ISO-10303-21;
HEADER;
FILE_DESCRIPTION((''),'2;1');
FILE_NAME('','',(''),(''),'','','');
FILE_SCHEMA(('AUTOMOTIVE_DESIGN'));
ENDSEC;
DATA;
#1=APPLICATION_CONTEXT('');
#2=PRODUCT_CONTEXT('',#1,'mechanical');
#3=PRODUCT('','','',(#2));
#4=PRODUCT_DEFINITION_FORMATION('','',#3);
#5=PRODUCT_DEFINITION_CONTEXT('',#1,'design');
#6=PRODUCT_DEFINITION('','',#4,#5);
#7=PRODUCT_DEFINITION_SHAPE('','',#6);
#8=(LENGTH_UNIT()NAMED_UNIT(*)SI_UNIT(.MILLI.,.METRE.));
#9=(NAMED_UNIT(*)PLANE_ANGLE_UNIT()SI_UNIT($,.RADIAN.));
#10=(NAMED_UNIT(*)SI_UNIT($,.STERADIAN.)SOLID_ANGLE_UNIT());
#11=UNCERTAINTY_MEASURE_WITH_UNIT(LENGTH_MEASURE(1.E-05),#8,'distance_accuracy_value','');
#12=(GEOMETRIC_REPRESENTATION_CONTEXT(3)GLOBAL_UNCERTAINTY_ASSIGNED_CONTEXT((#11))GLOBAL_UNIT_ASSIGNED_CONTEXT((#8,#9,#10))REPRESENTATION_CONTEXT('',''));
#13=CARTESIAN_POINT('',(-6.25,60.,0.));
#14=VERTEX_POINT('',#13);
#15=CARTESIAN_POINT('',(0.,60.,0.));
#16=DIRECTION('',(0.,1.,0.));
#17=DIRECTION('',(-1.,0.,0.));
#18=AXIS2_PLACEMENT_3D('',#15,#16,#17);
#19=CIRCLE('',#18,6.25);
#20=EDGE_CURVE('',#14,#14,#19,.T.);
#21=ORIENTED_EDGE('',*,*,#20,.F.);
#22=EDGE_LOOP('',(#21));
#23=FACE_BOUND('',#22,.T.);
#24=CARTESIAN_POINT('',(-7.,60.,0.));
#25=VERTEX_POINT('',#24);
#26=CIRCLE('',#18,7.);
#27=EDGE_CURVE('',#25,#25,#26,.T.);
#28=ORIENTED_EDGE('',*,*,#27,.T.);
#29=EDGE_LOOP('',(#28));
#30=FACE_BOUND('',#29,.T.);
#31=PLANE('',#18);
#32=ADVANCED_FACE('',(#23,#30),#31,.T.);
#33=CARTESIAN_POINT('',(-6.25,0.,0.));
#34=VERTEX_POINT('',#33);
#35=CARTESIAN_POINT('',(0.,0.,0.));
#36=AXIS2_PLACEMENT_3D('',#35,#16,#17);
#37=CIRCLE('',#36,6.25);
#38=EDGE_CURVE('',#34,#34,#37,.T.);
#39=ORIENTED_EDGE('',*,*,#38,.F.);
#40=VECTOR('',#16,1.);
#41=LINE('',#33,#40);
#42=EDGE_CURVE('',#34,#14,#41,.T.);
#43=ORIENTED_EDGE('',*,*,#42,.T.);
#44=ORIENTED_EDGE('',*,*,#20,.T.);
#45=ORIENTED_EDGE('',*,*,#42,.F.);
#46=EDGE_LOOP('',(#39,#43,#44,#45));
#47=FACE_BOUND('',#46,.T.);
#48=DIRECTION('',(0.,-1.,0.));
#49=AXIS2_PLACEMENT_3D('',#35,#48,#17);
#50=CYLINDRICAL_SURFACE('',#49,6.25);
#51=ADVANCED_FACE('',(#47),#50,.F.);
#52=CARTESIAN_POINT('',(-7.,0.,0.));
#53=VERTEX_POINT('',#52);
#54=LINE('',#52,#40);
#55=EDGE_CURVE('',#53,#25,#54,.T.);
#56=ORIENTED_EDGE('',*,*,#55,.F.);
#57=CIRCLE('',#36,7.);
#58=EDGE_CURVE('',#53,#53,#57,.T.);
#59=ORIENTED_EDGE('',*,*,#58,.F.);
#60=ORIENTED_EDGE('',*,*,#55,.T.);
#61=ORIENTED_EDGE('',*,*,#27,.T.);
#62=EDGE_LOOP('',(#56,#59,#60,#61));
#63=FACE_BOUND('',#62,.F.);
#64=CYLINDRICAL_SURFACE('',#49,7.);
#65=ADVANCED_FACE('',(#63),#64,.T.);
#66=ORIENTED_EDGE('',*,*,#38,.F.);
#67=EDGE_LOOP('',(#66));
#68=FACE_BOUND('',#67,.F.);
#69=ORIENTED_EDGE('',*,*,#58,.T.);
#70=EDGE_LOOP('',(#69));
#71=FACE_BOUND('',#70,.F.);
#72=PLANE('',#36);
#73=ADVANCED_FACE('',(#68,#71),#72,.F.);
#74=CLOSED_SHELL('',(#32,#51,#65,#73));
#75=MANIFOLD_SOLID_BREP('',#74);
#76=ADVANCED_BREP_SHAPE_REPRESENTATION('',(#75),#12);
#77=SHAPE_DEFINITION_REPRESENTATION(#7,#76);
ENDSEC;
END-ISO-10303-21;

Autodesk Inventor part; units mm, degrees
ref_plane "YZ Plane" through (0, 0, 0) normal (1, 0, 0) x (0, 1, 0)
ref_plane "XZ Plane" through (0, 0, 0) normal (0, 1, 0) x (-1, 0, 0)
ref_plane "XY Plane" through (0, 0, 0) normal (0, 0, 1) x (1, 0, 0)
sketch "Sketch1" plane through (0, 0, 0) normal (0, 1, 0) x (-1, 0, 0)
  circle A0 centre (0, 0) radius 6.25
  circle A1 centre (0, 0) radius 7
  dimension "d0" = 14
  dimension "d1" = 12.5
extrude "Extrusion2" add sketch "Sketch1" along normal blind 60
properties part number "OringProbe_straight_pipe" material "Stainless Steel, 440C"
